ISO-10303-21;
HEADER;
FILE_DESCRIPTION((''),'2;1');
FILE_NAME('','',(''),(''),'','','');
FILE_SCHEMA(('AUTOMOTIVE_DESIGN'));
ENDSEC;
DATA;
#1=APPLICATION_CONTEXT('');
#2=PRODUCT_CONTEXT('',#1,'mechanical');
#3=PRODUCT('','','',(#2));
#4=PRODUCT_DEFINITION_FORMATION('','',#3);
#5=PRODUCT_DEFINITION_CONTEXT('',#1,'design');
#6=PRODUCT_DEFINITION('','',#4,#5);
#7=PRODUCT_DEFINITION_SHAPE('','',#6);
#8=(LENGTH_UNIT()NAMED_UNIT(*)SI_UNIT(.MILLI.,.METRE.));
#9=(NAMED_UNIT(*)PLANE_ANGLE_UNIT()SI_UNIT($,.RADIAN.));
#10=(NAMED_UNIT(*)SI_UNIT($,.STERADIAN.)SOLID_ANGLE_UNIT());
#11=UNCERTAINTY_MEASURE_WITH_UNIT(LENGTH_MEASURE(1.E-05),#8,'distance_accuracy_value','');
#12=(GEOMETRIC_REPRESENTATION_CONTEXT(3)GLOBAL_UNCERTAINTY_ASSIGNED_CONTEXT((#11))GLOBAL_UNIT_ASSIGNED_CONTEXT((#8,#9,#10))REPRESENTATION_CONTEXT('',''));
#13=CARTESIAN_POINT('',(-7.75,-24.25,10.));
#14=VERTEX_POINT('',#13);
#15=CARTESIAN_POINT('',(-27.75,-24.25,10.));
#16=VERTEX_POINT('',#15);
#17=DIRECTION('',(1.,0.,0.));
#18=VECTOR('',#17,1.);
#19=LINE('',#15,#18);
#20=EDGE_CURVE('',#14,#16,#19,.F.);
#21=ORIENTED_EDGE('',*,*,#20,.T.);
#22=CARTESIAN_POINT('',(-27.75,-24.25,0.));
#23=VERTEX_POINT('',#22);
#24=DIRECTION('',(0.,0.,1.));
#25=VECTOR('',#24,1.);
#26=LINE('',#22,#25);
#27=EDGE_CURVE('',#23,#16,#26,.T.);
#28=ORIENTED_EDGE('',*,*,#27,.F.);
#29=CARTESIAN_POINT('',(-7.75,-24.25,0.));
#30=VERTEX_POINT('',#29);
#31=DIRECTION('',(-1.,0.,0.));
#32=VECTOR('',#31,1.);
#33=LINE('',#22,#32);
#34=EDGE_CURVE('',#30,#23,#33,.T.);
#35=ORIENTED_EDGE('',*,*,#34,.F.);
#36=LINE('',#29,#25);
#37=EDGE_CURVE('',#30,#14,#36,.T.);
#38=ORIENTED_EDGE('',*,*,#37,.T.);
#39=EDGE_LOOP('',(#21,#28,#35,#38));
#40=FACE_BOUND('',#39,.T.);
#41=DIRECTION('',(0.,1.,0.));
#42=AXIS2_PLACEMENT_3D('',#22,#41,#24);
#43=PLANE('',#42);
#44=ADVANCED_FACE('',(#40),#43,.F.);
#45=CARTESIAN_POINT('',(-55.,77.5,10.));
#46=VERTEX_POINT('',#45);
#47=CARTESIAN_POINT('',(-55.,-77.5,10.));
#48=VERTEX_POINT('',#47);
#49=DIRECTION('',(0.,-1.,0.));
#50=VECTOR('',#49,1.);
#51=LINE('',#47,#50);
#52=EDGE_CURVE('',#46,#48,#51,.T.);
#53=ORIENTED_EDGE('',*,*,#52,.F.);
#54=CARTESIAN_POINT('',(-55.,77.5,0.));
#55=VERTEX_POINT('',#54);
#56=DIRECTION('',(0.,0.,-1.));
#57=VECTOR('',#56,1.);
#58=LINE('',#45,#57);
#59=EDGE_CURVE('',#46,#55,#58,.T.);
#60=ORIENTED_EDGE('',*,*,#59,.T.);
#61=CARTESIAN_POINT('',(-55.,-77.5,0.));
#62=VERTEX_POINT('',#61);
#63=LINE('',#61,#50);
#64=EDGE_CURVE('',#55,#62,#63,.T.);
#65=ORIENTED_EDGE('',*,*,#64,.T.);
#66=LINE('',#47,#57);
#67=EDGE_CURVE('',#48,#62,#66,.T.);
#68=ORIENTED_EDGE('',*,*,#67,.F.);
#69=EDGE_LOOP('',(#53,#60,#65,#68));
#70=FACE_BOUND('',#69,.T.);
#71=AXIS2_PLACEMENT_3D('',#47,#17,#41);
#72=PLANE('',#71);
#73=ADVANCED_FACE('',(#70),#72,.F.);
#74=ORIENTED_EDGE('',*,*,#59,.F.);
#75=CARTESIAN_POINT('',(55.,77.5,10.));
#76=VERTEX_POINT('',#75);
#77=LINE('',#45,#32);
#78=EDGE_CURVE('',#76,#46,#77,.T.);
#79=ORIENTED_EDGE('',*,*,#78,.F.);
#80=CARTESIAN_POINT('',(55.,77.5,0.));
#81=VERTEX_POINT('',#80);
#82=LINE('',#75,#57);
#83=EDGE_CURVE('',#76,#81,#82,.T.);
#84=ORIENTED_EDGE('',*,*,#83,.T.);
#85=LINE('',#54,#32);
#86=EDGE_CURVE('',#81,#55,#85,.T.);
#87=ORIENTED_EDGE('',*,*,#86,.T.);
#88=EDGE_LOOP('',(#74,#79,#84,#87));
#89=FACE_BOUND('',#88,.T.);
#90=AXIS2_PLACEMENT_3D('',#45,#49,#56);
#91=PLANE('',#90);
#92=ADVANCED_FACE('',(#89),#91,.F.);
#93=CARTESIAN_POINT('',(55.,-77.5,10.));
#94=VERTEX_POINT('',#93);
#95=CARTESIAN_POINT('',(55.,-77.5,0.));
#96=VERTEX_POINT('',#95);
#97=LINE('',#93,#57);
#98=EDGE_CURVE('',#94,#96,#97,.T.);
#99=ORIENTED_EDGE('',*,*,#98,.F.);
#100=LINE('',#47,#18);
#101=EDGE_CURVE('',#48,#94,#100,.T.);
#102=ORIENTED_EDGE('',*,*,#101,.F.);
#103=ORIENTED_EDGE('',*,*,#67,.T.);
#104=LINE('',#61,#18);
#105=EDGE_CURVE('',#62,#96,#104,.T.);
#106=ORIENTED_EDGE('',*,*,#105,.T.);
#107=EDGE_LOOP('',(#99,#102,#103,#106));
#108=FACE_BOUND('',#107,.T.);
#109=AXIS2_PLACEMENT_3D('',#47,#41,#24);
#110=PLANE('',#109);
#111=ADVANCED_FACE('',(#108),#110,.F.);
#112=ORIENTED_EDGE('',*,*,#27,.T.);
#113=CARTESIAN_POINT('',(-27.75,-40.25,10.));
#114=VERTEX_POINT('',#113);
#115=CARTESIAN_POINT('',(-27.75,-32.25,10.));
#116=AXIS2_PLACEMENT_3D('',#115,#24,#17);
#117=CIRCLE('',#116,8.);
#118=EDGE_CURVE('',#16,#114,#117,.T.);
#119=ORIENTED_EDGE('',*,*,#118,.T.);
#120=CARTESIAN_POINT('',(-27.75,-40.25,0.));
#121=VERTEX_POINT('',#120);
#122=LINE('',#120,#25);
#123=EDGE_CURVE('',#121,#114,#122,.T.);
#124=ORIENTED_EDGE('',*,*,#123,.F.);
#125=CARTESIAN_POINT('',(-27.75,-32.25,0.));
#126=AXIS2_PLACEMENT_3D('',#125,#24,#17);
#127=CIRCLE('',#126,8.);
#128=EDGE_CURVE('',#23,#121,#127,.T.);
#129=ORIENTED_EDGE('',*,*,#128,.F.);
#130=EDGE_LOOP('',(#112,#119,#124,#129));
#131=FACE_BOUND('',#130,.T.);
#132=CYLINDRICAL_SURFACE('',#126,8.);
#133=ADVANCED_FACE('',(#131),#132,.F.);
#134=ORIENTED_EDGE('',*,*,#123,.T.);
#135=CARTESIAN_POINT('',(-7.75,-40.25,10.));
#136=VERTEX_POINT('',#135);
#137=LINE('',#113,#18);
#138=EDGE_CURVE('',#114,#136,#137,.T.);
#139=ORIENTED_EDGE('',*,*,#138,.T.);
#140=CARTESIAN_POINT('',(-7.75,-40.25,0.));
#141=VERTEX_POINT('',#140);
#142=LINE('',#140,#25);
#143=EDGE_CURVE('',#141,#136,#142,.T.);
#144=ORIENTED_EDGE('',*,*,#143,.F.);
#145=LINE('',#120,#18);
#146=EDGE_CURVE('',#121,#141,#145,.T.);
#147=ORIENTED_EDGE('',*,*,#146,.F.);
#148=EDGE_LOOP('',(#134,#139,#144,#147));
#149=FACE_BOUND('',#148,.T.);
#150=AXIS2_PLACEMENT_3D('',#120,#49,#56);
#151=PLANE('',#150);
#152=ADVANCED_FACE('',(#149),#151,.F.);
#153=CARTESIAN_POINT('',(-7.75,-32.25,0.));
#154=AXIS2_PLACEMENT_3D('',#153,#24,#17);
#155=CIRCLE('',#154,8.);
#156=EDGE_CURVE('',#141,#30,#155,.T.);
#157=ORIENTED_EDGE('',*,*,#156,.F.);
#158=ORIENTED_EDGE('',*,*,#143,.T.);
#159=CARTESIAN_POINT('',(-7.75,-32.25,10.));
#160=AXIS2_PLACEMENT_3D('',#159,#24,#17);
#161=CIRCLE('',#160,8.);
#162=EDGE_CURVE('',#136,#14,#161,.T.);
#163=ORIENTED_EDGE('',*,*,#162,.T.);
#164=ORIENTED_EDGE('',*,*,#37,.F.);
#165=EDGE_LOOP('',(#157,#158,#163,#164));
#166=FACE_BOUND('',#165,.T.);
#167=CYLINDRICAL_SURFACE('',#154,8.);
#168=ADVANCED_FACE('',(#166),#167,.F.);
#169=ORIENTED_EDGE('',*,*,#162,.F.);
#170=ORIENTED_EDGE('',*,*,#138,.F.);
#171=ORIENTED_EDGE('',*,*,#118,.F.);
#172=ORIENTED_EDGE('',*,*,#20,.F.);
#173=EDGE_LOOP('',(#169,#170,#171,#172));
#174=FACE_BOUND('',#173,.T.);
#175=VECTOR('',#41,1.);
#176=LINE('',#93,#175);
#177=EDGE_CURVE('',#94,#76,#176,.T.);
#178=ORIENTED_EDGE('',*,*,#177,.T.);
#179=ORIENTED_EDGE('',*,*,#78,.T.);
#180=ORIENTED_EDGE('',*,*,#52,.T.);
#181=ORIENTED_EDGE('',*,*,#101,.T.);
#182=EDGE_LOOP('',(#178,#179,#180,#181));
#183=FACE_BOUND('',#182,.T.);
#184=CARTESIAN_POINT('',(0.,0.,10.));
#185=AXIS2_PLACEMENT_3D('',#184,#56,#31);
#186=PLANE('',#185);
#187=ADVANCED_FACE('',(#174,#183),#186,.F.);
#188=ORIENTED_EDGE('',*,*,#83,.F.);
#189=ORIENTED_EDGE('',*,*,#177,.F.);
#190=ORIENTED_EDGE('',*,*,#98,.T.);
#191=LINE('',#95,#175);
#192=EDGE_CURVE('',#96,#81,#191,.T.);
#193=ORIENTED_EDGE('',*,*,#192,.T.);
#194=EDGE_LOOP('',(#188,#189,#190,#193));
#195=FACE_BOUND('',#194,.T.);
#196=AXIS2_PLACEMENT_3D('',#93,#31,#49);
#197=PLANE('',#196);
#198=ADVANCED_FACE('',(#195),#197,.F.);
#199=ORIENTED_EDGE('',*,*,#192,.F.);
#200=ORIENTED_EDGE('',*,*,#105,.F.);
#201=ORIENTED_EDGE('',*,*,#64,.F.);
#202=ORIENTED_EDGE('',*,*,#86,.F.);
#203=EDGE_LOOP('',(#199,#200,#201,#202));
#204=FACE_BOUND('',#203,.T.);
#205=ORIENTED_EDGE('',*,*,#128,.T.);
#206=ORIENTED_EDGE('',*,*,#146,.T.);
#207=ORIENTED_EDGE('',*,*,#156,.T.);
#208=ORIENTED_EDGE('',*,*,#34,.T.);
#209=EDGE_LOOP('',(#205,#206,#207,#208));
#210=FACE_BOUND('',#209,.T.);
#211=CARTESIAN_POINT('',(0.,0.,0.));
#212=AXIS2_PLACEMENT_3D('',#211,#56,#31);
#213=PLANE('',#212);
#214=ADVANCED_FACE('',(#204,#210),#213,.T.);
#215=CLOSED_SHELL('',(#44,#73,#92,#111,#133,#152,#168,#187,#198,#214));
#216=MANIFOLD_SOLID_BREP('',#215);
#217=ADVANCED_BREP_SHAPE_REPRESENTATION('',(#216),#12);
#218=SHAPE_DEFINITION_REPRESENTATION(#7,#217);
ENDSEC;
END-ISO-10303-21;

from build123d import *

# Parameters (mm, degrees)
SKETCH_1_W               = 110
SKETCH_1_H               = 155
EXTRUDE_1_DEPTH          = 10
CUT_EXTRUDE_1_DEPTH      = 96.557574268
CUT_EXTRUDE_1_DEPTH_BACK = 96.557574268


with BuildPart() as part:
    # 草图1 → 凸台-拉伸1 (new body)
    with BuildSketch(Plane.XY):
        Rectangle(SKETCH_1_W, SKETCH_1_H)
    extrude(amount=EXTRUDE_1_DEPTH)

    # 草图2 → 切除-拉伸1 (cut, two sides: drawn at the far end of the back side and taken through both)
    with BuildSketch(Plane.XY.offset(10).offset(-CUT_EXTRUDE_1_DEPTH_BACK)):
        with BuildLine():
            Line((-27.75, -24.25), (-7.75, -24.25))
            ThreePointArc((-7.75, -24.25), (0.25, -32.25), (-7.75, -40.25))
            Line((-7.75, -40.25), (-27.75, -40.25))
            ThreePointArc((-27.75, -40.25), (-35.75, -32.25), (-27.75, -24.25))
        make_face()
    extrude(amount=CUT_EXTRUDE_1_DEPTH + CUT_EXTRUDE_1_DEPTH_BACK, mode=Mode.SUBTRACT)


solid = part.part
